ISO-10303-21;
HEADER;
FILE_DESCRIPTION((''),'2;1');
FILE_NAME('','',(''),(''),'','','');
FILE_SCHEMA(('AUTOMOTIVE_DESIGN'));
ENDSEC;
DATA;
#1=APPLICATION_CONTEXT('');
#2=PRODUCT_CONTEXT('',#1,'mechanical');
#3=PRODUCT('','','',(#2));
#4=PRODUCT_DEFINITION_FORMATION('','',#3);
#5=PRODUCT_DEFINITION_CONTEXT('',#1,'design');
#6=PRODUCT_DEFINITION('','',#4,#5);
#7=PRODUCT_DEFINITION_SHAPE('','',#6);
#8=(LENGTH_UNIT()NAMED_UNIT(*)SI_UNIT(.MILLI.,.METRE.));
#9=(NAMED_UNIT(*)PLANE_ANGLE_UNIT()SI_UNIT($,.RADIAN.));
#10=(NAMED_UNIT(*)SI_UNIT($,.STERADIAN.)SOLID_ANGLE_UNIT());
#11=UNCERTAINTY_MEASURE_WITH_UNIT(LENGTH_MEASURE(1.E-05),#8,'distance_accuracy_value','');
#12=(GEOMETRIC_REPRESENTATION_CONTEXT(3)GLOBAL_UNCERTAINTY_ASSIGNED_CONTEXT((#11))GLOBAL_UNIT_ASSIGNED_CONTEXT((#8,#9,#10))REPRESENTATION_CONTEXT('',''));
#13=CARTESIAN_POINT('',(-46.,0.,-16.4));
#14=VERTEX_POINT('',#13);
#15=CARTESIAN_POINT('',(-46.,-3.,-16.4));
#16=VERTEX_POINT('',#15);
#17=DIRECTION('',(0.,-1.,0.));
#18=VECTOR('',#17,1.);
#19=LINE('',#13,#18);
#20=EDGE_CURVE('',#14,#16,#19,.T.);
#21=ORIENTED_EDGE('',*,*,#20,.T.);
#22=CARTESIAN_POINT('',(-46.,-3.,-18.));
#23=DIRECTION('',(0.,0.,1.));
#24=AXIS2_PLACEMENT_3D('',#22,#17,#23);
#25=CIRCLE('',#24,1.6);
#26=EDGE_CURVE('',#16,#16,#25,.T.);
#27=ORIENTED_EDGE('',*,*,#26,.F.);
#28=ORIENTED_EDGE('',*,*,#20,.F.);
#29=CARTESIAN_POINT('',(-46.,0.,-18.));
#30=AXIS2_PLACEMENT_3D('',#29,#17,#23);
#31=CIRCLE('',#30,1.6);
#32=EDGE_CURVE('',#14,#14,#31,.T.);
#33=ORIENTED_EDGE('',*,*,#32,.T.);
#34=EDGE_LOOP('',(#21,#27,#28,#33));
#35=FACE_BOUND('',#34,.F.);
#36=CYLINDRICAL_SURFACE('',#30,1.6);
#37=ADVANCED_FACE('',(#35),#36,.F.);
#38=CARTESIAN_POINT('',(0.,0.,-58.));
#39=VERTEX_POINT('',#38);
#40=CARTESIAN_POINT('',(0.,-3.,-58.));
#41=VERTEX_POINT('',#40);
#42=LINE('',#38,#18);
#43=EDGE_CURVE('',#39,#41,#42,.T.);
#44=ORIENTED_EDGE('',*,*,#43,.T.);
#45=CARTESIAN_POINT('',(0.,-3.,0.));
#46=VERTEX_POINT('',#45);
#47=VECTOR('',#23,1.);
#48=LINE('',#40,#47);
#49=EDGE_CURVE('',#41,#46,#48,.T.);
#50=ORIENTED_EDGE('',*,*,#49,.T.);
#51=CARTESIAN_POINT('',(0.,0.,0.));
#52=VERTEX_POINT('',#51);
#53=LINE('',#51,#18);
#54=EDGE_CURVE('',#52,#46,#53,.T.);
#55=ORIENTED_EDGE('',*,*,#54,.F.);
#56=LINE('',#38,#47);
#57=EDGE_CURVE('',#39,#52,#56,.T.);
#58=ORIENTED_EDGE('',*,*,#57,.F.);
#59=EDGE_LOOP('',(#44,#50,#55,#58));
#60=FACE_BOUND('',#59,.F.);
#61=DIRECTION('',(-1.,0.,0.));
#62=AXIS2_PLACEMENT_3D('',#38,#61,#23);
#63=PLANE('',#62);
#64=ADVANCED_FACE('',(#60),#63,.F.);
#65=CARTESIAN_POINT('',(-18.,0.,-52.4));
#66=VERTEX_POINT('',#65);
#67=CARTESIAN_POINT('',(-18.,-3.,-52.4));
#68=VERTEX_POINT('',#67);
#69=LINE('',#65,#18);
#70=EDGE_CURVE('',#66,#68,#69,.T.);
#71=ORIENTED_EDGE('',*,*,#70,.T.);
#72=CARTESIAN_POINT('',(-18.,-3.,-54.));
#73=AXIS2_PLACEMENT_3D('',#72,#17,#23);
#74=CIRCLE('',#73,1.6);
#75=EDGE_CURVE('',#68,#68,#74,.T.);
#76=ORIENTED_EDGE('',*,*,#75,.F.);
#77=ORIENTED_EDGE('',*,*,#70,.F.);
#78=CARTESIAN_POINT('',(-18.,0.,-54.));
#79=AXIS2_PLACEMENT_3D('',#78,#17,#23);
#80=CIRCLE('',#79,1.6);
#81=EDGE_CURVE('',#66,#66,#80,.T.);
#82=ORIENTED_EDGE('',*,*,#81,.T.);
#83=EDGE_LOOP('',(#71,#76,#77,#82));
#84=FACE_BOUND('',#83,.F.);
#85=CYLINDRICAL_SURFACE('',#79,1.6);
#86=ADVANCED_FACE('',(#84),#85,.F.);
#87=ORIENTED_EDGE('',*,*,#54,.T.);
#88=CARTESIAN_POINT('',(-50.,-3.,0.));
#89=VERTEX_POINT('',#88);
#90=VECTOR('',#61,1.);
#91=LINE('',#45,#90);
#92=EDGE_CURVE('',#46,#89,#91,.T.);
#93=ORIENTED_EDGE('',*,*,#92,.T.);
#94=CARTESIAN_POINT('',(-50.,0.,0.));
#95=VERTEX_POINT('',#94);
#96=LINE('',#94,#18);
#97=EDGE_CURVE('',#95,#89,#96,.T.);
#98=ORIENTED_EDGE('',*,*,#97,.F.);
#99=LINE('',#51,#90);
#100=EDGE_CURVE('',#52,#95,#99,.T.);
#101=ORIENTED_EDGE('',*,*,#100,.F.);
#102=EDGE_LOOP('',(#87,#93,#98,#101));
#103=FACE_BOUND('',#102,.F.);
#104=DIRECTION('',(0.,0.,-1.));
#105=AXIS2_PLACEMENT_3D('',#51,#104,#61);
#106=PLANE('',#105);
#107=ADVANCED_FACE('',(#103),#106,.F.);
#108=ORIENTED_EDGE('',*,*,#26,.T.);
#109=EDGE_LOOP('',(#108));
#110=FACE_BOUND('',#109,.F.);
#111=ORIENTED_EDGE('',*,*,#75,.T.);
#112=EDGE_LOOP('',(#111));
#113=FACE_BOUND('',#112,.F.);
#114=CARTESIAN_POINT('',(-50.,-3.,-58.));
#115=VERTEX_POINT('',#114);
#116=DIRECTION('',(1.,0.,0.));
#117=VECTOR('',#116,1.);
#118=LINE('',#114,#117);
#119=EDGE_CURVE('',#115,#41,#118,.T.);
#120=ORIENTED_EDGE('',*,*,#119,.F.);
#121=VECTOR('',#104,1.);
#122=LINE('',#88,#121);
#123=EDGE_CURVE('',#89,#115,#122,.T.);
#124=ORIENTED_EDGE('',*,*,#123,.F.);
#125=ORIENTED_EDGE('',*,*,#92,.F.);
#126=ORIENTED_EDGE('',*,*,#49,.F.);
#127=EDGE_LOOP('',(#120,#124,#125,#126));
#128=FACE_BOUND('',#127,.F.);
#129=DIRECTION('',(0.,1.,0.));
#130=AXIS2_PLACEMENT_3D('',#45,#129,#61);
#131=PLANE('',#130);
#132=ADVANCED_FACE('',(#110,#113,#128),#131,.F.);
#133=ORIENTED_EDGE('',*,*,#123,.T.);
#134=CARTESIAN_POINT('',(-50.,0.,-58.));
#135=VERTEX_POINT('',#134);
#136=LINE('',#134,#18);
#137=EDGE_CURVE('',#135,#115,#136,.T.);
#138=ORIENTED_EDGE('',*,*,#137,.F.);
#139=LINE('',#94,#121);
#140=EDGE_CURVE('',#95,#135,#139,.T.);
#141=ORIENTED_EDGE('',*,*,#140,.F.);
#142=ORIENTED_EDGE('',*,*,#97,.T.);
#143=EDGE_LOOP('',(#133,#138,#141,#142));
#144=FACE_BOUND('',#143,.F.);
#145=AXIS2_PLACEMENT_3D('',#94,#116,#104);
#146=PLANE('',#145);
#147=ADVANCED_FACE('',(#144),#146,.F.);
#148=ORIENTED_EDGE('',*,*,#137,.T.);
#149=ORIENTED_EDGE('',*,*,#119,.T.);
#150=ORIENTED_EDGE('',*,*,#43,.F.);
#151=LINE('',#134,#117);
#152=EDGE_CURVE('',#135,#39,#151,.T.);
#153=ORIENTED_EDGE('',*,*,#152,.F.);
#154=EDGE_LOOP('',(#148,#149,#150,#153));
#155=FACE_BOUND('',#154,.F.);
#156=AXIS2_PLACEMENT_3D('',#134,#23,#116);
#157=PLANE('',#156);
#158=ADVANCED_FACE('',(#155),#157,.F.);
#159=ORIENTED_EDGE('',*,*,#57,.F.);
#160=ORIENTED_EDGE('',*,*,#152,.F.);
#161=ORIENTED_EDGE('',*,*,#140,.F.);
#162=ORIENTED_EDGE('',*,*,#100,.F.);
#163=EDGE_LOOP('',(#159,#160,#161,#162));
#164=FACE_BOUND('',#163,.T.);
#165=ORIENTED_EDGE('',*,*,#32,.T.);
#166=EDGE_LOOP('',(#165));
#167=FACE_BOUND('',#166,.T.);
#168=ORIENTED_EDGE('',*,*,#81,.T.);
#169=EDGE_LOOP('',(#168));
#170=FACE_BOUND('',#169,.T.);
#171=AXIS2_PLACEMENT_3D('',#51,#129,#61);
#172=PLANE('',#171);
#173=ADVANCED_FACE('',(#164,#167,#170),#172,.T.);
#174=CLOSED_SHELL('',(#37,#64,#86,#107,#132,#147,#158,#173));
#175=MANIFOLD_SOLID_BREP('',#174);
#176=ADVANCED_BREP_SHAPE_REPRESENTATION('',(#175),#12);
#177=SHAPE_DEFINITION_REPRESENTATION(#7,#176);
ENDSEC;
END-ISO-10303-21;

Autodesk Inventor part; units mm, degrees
ref_plane "YZ Plane" through (0, 0, 0) normal (1, 0, 0) x (0, 1, 0)
ref_plane "XZ Plane" through (0, 0, 0) normal (0, 1, 0) x (-1, 0, 0)
ref_plane "XY Plane" through (0, 0, 0) normal (0, 0, 1) x (1, 0, 0)
sketch "Sketch1" plane through (0, 0, 0) normal (0, 1, 0) x (-1, 0, 0)
  line L0 (0, 0) -> (50, 0)
  line L1 (50, 0) -> (50, -58)
  line L2 (50, -58) -> (0, -58)
  line L3 (0, -58) -> (0, 0)
  line L4 (46, 11.182) -> (46, -76.3332) construction
  line L5 (62.4819, -54) -> (-10.7264, -54) construction
  point P0 (46, -18)
  point P1 (18, -54)
  dimension "d0" = 50
  dimension "d1" = 58
  dimension "d2" = 4
  dimension "d3" = 4
  dimension "d4" = 18
  dimension "d5" = 18
extrude "Extrusion1" add sketch "Sketch1" against normal blind 3
hole "Hole1" at (-46, 0, -18) at (-18, 0, -54) direction (0, -1, 0) diameter 3.2 end through all
properties part number "Step-back cover -electronics enc"
